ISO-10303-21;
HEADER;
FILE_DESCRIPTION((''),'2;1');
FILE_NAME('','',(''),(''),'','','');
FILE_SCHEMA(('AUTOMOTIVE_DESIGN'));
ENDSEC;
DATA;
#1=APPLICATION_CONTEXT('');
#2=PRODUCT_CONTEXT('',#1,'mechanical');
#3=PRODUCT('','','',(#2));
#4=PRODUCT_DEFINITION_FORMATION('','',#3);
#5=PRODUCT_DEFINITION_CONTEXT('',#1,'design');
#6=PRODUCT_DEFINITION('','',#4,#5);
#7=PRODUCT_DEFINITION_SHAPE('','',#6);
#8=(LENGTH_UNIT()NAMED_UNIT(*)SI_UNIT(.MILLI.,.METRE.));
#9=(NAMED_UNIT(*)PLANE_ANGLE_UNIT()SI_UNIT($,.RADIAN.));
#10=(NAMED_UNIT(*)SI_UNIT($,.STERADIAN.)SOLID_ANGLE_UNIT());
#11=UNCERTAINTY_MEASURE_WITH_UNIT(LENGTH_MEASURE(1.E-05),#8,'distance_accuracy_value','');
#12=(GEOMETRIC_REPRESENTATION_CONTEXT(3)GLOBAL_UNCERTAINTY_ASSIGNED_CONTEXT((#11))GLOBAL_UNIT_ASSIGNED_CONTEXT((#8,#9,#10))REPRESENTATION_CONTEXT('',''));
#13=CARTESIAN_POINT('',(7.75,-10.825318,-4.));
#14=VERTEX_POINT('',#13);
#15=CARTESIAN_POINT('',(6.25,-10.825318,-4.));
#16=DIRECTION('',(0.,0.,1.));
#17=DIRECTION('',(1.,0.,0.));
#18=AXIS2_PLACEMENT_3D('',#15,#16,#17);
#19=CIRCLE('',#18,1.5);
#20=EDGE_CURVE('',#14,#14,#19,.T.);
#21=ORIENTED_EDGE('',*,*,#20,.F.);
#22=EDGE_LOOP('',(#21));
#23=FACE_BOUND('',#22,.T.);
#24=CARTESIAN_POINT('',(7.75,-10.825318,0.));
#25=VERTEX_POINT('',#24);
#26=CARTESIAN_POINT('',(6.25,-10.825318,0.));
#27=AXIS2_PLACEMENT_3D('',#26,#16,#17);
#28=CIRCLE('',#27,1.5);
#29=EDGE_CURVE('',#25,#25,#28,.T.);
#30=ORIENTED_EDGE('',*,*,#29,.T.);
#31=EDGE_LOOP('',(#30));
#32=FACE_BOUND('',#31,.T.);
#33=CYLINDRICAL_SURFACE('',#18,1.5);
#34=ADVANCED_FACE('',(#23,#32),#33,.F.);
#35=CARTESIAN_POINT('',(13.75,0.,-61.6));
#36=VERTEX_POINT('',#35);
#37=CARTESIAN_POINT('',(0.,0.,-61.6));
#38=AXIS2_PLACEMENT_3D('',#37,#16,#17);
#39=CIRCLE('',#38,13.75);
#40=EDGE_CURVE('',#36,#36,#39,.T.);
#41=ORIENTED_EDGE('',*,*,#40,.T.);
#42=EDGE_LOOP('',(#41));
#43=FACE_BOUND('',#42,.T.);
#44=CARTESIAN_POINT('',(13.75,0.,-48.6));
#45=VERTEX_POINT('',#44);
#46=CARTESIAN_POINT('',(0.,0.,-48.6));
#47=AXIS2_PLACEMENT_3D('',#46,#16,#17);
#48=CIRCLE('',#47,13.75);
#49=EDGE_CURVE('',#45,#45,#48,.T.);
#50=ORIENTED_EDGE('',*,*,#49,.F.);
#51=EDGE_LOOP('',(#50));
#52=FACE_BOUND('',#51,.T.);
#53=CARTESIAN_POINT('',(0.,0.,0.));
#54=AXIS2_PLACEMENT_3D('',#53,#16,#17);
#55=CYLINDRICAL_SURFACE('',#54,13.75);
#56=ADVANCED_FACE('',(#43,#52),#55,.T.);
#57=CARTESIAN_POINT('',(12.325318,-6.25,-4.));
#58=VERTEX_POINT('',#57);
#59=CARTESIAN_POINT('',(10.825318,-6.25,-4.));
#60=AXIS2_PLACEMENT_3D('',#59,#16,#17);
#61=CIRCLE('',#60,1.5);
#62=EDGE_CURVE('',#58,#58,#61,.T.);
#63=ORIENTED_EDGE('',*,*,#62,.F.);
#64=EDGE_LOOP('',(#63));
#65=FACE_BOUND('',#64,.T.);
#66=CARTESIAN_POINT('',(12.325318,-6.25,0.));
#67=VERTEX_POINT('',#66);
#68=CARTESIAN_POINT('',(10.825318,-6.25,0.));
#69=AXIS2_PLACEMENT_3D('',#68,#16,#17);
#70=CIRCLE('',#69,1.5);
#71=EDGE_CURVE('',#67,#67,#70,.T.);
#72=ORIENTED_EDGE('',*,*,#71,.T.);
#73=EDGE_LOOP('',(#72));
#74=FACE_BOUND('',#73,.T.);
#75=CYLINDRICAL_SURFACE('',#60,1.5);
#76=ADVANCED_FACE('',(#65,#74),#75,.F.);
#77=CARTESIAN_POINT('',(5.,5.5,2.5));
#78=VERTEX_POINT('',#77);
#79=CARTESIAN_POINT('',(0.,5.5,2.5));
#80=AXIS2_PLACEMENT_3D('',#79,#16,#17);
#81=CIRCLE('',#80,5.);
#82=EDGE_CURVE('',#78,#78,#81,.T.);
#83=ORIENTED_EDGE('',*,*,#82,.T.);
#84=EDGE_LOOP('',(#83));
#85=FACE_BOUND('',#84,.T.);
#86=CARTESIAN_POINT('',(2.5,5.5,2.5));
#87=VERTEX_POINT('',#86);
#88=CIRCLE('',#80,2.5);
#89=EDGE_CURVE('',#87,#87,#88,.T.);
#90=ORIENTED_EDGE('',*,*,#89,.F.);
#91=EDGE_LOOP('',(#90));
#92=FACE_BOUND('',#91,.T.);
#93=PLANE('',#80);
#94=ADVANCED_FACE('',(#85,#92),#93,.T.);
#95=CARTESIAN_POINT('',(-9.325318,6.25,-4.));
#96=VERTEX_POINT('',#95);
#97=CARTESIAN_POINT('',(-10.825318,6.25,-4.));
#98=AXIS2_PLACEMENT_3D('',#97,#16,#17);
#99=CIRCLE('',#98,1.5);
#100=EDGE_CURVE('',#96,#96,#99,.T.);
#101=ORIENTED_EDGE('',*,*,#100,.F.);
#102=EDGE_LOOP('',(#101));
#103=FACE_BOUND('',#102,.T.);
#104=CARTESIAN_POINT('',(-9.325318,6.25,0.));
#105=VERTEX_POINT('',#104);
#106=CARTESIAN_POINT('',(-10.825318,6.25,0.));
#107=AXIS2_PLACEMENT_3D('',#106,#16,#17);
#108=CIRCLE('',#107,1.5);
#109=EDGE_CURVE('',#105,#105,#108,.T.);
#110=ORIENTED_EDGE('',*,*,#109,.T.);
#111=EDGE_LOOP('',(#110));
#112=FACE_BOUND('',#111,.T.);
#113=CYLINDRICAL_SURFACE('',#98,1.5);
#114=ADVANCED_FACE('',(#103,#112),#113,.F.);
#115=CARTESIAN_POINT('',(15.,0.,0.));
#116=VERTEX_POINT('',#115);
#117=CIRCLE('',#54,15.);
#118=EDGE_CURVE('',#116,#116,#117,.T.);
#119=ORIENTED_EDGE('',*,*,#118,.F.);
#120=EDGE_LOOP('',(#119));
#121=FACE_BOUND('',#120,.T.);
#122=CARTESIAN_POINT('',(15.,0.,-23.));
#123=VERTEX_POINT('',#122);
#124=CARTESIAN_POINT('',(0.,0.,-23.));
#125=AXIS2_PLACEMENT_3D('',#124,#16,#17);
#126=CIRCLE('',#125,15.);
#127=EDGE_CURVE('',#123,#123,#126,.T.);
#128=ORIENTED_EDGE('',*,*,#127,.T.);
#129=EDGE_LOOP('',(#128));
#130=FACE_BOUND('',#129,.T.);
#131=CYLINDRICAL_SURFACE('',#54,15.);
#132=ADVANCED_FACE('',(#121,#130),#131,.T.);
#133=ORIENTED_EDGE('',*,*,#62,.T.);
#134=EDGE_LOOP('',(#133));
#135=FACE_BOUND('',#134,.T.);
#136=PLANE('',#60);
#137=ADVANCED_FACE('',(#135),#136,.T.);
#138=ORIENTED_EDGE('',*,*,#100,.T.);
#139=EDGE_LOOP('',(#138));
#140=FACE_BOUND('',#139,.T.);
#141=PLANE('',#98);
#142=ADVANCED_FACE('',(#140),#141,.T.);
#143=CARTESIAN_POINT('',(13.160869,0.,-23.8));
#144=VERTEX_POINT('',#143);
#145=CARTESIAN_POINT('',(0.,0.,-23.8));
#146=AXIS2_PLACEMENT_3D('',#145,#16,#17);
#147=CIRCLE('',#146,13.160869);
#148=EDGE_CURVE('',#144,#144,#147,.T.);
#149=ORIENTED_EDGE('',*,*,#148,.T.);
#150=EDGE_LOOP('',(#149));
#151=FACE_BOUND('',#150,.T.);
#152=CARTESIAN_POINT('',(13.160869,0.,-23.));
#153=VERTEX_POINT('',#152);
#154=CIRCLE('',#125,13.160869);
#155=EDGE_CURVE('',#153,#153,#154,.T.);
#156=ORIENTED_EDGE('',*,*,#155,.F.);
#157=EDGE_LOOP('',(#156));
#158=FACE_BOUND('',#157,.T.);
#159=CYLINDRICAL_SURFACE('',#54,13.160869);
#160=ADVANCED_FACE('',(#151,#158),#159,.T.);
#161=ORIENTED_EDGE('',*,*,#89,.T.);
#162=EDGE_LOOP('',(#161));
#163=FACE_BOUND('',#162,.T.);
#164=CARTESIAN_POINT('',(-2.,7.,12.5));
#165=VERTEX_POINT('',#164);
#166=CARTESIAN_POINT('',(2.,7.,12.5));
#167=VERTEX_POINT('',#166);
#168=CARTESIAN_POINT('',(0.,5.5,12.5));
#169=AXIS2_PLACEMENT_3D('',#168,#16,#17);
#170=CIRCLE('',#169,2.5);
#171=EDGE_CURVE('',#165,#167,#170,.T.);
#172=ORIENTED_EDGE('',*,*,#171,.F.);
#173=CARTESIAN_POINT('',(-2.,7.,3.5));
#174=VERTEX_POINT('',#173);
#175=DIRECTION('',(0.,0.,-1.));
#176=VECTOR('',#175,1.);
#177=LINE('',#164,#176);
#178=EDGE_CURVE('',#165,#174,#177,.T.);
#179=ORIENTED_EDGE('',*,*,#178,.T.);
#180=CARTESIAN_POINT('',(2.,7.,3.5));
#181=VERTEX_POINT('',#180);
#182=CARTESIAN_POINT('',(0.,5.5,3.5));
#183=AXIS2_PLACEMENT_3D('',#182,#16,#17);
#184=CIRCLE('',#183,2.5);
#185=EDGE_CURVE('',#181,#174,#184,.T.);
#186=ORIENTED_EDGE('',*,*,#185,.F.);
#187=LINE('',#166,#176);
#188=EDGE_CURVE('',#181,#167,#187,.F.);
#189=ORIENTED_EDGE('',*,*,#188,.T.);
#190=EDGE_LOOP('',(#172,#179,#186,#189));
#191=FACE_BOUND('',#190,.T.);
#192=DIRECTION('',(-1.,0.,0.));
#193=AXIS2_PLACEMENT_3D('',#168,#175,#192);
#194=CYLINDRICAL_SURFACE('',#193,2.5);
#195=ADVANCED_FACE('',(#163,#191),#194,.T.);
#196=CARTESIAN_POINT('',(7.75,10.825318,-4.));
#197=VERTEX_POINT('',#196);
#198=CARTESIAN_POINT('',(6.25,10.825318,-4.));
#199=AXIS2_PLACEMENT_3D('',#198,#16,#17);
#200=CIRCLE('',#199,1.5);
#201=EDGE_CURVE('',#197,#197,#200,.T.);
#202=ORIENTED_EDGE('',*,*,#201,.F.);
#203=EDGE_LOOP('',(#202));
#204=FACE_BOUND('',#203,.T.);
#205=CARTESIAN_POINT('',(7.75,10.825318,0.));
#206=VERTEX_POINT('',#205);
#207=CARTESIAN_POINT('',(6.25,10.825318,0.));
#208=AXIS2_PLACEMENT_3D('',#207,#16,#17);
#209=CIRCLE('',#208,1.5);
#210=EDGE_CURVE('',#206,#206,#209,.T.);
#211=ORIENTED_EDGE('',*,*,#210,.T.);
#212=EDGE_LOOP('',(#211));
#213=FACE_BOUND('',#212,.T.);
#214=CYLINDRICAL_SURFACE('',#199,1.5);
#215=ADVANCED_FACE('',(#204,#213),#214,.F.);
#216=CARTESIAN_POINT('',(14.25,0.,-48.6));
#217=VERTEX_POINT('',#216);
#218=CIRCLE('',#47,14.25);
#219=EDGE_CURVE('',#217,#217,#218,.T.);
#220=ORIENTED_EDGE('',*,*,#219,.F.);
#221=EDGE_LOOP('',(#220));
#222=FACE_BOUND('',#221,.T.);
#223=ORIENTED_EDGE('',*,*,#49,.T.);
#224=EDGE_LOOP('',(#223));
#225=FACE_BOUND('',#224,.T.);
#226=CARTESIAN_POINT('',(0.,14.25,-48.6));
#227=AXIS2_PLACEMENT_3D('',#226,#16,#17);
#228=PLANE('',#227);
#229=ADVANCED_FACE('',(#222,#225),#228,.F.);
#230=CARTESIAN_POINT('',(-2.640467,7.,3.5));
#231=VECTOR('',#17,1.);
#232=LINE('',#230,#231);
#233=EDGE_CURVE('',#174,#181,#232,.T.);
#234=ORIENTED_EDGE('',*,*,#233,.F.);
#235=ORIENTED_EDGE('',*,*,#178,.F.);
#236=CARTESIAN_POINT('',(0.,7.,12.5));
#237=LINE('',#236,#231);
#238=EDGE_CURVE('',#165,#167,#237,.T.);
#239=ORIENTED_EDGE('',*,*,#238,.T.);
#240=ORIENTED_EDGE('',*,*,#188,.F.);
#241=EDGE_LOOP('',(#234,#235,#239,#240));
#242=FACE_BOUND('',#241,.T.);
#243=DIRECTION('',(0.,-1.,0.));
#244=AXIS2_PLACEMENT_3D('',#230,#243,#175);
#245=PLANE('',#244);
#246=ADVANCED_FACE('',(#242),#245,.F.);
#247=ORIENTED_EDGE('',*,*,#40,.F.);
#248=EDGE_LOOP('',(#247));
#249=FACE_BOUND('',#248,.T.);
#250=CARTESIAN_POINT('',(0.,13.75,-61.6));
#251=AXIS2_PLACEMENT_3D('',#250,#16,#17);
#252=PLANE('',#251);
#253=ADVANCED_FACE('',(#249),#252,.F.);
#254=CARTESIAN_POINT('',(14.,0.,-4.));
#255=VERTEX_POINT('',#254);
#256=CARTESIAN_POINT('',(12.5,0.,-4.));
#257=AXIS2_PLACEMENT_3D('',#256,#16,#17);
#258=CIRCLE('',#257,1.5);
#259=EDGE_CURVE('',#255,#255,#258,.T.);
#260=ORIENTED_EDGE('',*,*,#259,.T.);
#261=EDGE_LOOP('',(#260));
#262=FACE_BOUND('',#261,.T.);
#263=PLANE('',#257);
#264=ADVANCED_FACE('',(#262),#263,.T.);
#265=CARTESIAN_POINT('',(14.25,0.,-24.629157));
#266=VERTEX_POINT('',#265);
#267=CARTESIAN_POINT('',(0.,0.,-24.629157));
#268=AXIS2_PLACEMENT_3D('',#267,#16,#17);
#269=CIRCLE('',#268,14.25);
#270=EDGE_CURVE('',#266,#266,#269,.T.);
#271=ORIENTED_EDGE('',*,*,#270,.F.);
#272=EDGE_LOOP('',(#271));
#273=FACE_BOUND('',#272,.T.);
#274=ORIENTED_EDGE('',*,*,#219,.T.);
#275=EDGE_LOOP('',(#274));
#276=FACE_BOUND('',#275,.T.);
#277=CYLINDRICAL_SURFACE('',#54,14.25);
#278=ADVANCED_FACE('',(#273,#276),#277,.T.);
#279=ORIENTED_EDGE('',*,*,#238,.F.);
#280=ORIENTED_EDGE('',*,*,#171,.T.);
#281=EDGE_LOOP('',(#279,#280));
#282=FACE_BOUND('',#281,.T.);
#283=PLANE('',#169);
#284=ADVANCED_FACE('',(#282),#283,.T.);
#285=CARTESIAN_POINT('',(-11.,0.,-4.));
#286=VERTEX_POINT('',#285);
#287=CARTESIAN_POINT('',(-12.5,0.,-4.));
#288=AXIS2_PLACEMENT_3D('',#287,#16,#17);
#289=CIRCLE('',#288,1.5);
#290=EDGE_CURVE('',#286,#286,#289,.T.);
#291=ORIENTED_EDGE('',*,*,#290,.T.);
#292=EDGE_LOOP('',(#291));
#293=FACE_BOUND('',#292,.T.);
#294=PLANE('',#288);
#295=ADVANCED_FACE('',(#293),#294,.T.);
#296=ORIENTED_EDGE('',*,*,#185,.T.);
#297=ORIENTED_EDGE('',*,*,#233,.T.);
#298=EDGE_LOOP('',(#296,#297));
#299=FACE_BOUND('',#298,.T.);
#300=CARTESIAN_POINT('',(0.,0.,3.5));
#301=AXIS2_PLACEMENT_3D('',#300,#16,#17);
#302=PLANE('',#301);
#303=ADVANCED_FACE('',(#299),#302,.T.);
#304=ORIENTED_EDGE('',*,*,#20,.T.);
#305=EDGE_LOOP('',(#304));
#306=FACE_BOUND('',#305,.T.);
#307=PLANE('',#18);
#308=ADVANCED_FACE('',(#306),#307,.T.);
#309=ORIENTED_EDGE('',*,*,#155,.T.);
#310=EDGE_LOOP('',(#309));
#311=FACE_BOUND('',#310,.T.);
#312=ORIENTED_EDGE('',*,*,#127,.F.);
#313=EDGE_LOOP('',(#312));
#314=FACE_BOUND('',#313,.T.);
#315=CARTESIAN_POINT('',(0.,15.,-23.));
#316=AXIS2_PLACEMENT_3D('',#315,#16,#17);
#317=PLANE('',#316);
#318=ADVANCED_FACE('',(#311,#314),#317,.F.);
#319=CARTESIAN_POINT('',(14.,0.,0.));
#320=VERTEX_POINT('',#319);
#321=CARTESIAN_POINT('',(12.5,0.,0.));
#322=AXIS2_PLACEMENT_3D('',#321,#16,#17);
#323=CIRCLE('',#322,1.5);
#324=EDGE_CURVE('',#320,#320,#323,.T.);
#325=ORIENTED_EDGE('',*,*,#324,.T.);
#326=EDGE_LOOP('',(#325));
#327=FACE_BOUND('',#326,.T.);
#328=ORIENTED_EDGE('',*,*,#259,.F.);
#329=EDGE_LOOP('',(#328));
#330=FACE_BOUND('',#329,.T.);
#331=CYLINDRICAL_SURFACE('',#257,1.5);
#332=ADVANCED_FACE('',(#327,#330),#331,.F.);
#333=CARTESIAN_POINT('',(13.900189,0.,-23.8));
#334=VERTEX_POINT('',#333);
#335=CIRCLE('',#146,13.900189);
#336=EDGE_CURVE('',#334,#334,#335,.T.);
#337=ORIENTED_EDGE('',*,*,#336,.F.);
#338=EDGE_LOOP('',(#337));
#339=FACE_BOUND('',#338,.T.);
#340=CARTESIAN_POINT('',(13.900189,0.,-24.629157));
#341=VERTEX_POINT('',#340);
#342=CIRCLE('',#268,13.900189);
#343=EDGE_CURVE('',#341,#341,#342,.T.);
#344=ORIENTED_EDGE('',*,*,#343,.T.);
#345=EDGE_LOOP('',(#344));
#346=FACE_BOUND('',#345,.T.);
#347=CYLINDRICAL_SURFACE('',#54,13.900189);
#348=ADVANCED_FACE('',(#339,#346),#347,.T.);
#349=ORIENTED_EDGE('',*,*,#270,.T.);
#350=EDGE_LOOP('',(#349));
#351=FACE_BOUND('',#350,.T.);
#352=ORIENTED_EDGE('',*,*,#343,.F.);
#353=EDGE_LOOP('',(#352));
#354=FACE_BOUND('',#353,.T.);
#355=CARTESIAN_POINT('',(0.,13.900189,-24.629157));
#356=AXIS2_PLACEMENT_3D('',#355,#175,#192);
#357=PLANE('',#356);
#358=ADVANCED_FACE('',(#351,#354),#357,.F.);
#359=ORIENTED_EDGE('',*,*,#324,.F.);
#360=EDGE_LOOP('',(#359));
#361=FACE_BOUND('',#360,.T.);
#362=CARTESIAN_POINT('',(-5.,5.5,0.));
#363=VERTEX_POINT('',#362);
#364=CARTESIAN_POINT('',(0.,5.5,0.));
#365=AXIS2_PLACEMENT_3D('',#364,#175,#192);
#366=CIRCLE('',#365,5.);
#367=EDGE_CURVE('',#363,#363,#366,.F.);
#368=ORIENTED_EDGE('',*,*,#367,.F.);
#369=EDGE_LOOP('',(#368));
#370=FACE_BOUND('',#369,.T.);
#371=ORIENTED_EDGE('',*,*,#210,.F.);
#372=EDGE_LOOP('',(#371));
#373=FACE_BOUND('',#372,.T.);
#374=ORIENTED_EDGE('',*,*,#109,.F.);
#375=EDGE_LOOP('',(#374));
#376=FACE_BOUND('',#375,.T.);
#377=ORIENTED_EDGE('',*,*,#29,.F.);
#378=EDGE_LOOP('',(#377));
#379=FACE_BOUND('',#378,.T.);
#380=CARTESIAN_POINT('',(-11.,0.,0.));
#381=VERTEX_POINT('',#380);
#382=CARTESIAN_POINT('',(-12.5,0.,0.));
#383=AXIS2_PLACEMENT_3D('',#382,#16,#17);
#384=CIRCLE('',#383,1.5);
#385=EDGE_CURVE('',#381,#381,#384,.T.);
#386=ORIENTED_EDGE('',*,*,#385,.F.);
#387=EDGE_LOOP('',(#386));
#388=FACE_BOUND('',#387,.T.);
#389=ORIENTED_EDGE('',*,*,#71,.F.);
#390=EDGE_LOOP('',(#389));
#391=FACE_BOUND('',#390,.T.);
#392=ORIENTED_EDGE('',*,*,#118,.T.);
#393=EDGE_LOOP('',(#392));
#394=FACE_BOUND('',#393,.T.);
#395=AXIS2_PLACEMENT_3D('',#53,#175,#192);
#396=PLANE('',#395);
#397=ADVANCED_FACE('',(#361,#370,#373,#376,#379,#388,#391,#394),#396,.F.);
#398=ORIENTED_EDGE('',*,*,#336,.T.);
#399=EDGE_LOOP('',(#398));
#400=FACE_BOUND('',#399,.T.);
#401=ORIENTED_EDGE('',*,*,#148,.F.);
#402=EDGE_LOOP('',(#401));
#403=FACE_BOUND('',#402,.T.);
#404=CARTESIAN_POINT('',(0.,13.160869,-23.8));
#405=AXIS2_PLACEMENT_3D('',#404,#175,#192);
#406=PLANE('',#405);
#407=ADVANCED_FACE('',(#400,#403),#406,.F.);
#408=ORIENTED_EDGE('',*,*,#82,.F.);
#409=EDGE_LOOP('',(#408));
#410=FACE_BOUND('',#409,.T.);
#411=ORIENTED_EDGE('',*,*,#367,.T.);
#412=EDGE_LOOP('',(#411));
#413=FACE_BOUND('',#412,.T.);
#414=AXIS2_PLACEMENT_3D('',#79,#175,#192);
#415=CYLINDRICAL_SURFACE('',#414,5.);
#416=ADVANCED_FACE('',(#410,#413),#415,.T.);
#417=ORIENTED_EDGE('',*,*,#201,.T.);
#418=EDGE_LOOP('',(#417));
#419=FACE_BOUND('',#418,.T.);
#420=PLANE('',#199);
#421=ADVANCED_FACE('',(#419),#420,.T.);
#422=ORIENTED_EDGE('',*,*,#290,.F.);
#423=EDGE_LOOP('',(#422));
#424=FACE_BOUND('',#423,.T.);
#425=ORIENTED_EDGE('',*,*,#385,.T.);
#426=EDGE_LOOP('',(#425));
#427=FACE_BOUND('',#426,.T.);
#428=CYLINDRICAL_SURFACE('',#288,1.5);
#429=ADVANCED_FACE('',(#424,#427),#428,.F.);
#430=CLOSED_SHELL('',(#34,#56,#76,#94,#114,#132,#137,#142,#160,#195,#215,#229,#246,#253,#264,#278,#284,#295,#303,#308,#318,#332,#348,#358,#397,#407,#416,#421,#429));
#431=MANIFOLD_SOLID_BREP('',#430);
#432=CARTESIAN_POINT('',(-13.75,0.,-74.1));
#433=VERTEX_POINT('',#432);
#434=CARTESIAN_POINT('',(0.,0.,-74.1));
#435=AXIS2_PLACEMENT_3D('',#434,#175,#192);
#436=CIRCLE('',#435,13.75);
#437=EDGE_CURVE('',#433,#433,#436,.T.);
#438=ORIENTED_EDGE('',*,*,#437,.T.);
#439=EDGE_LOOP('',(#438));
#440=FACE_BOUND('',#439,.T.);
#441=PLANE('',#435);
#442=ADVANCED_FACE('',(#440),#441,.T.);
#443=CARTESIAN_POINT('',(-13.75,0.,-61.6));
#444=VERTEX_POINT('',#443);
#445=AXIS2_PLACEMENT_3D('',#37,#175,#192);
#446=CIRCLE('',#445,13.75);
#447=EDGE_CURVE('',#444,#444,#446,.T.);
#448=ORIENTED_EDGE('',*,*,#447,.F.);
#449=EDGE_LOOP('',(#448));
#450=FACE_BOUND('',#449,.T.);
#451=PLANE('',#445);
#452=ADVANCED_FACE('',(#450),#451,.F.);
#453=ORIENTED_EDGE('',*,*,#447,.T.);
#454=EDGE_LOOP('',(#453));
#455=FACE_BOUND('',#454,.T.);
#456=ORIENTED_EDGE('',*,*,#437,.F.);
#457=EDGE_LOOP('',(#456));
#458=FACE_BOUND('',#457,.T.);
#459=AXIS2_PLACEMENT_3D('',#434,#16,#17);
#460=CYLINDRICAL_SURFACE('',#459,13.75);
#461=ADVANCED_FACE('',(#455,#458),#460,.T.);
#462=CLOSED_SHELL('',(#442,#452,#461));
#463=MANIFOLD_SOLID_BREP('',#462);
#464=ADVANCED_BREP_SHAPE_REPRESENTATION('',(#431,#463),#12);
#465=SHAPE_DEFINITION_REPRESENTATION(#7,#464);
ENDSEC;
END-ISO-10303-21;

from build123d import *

# Parameters (mm, degrees)
SKETCH_3_R          = 13.75
EXTRUDE_1_DEPTH     = 12.5
SKETCH_4_R          = 1.5
CUT_EXTRUDE_1_DEPTH = 4
SKETCH_5_R          = 5
EXTRUDE_2_DEPTH     = 2.5
SKETCH_6_R          = 2.5
EXTRUDE_3_DEPTH     = 10
CUT_EXTRUDE_2_DEPTH = 9


with BuildPart() as part:
    # Эскиз2 → Повернуть1 (revolve)
    with BuildSketch(Plane(origin=(0, 0, 0), x_dir=(0, 0, -1), z_dir=(1, 0, 0))):
        Polygon((0, 0), (0, 15), (23, 15), (23, 13.160869224), (23.8, 13.160869224), (23.8, 13.900188548), (24.629157433, 13.900188548), (24.629157433, 14.25), (48.6, 14.25), (48.6, 13.75), (61.6, 13.75), (61.6, 0), align=None)
    revolve(axis=Axis((0, 0, 0), (0, 0, -1)))

    # Эскиз4 → Вырез-Вытянуть1 (cut)
    with BuildSketch(Plane.XY):
        with Locations((-12.5, 0)):
            Circle(SKETCH_4_R)
        with Locations((-10.825317547, 6.25)):
            Circle(SKETCH_4_R)
        with Locations((6.25, 10.825317547)):
            Circle(SKETCH_4_R)
        with Locations((12.5, 0)):
            Circle(SKETCH_4_R)
        with Locations((10.825317547, -6.25)):
            Circle(SKETCH_4_R)
        with Locations((6.25, -10.825317547)):
            Circle(SKETCH_4_R)
    extrude(amount=-CUT_EXTRUDE_1_DEPTH, mode=Mode.SUBTRACT)

    # Эскиз5 → Бобышка-Вытянуть2 (add)
    with BuildSketch(Plane.XY):
        with Locations((0, 5.5)):
            Circle(SKETCH_5_R)
    extrude(amount=EXTRUDE_2_DEPTH)

    # Эскиз6 → Бобышка-Вытянуть3 (add)
    with BuildSketch(Plane.XY.offset(2.5)):
        with Locations((0, 5.5)):
            Circle(SKETCH_6_R)
    extrude(amount=EXTRUDE_3_DEPTH)

    # Эскиз7 → Вырез-Вытянуть2 (cut)
    with BuildSketch(Plane.XY.offset(12.5)):
        Polygon((-2.640466968, 7), (2.828249594, 7), (2.828249594, 8.822905521), (-1.513579919, 8.822905521), align=None)
    extrude(amount=-CUT_EXTRUDE_2_DEPTH, mode=Mode.SUBTRACT)


with BuildPart() as body_2:
    # Эскиз3 → Бобышка-Вытянуть1 (new body)
    with BuildSketch(Plane(origin=(0, 0, -61.6), x_dir=(-1, 0, 0), z_dir=(0, 0, -1))):
        Circle(SKETCH_3_R)
    extrude(amount=EXTRUDE_1_DEPTH)


solid = Compound([part.part, body_2.part])
